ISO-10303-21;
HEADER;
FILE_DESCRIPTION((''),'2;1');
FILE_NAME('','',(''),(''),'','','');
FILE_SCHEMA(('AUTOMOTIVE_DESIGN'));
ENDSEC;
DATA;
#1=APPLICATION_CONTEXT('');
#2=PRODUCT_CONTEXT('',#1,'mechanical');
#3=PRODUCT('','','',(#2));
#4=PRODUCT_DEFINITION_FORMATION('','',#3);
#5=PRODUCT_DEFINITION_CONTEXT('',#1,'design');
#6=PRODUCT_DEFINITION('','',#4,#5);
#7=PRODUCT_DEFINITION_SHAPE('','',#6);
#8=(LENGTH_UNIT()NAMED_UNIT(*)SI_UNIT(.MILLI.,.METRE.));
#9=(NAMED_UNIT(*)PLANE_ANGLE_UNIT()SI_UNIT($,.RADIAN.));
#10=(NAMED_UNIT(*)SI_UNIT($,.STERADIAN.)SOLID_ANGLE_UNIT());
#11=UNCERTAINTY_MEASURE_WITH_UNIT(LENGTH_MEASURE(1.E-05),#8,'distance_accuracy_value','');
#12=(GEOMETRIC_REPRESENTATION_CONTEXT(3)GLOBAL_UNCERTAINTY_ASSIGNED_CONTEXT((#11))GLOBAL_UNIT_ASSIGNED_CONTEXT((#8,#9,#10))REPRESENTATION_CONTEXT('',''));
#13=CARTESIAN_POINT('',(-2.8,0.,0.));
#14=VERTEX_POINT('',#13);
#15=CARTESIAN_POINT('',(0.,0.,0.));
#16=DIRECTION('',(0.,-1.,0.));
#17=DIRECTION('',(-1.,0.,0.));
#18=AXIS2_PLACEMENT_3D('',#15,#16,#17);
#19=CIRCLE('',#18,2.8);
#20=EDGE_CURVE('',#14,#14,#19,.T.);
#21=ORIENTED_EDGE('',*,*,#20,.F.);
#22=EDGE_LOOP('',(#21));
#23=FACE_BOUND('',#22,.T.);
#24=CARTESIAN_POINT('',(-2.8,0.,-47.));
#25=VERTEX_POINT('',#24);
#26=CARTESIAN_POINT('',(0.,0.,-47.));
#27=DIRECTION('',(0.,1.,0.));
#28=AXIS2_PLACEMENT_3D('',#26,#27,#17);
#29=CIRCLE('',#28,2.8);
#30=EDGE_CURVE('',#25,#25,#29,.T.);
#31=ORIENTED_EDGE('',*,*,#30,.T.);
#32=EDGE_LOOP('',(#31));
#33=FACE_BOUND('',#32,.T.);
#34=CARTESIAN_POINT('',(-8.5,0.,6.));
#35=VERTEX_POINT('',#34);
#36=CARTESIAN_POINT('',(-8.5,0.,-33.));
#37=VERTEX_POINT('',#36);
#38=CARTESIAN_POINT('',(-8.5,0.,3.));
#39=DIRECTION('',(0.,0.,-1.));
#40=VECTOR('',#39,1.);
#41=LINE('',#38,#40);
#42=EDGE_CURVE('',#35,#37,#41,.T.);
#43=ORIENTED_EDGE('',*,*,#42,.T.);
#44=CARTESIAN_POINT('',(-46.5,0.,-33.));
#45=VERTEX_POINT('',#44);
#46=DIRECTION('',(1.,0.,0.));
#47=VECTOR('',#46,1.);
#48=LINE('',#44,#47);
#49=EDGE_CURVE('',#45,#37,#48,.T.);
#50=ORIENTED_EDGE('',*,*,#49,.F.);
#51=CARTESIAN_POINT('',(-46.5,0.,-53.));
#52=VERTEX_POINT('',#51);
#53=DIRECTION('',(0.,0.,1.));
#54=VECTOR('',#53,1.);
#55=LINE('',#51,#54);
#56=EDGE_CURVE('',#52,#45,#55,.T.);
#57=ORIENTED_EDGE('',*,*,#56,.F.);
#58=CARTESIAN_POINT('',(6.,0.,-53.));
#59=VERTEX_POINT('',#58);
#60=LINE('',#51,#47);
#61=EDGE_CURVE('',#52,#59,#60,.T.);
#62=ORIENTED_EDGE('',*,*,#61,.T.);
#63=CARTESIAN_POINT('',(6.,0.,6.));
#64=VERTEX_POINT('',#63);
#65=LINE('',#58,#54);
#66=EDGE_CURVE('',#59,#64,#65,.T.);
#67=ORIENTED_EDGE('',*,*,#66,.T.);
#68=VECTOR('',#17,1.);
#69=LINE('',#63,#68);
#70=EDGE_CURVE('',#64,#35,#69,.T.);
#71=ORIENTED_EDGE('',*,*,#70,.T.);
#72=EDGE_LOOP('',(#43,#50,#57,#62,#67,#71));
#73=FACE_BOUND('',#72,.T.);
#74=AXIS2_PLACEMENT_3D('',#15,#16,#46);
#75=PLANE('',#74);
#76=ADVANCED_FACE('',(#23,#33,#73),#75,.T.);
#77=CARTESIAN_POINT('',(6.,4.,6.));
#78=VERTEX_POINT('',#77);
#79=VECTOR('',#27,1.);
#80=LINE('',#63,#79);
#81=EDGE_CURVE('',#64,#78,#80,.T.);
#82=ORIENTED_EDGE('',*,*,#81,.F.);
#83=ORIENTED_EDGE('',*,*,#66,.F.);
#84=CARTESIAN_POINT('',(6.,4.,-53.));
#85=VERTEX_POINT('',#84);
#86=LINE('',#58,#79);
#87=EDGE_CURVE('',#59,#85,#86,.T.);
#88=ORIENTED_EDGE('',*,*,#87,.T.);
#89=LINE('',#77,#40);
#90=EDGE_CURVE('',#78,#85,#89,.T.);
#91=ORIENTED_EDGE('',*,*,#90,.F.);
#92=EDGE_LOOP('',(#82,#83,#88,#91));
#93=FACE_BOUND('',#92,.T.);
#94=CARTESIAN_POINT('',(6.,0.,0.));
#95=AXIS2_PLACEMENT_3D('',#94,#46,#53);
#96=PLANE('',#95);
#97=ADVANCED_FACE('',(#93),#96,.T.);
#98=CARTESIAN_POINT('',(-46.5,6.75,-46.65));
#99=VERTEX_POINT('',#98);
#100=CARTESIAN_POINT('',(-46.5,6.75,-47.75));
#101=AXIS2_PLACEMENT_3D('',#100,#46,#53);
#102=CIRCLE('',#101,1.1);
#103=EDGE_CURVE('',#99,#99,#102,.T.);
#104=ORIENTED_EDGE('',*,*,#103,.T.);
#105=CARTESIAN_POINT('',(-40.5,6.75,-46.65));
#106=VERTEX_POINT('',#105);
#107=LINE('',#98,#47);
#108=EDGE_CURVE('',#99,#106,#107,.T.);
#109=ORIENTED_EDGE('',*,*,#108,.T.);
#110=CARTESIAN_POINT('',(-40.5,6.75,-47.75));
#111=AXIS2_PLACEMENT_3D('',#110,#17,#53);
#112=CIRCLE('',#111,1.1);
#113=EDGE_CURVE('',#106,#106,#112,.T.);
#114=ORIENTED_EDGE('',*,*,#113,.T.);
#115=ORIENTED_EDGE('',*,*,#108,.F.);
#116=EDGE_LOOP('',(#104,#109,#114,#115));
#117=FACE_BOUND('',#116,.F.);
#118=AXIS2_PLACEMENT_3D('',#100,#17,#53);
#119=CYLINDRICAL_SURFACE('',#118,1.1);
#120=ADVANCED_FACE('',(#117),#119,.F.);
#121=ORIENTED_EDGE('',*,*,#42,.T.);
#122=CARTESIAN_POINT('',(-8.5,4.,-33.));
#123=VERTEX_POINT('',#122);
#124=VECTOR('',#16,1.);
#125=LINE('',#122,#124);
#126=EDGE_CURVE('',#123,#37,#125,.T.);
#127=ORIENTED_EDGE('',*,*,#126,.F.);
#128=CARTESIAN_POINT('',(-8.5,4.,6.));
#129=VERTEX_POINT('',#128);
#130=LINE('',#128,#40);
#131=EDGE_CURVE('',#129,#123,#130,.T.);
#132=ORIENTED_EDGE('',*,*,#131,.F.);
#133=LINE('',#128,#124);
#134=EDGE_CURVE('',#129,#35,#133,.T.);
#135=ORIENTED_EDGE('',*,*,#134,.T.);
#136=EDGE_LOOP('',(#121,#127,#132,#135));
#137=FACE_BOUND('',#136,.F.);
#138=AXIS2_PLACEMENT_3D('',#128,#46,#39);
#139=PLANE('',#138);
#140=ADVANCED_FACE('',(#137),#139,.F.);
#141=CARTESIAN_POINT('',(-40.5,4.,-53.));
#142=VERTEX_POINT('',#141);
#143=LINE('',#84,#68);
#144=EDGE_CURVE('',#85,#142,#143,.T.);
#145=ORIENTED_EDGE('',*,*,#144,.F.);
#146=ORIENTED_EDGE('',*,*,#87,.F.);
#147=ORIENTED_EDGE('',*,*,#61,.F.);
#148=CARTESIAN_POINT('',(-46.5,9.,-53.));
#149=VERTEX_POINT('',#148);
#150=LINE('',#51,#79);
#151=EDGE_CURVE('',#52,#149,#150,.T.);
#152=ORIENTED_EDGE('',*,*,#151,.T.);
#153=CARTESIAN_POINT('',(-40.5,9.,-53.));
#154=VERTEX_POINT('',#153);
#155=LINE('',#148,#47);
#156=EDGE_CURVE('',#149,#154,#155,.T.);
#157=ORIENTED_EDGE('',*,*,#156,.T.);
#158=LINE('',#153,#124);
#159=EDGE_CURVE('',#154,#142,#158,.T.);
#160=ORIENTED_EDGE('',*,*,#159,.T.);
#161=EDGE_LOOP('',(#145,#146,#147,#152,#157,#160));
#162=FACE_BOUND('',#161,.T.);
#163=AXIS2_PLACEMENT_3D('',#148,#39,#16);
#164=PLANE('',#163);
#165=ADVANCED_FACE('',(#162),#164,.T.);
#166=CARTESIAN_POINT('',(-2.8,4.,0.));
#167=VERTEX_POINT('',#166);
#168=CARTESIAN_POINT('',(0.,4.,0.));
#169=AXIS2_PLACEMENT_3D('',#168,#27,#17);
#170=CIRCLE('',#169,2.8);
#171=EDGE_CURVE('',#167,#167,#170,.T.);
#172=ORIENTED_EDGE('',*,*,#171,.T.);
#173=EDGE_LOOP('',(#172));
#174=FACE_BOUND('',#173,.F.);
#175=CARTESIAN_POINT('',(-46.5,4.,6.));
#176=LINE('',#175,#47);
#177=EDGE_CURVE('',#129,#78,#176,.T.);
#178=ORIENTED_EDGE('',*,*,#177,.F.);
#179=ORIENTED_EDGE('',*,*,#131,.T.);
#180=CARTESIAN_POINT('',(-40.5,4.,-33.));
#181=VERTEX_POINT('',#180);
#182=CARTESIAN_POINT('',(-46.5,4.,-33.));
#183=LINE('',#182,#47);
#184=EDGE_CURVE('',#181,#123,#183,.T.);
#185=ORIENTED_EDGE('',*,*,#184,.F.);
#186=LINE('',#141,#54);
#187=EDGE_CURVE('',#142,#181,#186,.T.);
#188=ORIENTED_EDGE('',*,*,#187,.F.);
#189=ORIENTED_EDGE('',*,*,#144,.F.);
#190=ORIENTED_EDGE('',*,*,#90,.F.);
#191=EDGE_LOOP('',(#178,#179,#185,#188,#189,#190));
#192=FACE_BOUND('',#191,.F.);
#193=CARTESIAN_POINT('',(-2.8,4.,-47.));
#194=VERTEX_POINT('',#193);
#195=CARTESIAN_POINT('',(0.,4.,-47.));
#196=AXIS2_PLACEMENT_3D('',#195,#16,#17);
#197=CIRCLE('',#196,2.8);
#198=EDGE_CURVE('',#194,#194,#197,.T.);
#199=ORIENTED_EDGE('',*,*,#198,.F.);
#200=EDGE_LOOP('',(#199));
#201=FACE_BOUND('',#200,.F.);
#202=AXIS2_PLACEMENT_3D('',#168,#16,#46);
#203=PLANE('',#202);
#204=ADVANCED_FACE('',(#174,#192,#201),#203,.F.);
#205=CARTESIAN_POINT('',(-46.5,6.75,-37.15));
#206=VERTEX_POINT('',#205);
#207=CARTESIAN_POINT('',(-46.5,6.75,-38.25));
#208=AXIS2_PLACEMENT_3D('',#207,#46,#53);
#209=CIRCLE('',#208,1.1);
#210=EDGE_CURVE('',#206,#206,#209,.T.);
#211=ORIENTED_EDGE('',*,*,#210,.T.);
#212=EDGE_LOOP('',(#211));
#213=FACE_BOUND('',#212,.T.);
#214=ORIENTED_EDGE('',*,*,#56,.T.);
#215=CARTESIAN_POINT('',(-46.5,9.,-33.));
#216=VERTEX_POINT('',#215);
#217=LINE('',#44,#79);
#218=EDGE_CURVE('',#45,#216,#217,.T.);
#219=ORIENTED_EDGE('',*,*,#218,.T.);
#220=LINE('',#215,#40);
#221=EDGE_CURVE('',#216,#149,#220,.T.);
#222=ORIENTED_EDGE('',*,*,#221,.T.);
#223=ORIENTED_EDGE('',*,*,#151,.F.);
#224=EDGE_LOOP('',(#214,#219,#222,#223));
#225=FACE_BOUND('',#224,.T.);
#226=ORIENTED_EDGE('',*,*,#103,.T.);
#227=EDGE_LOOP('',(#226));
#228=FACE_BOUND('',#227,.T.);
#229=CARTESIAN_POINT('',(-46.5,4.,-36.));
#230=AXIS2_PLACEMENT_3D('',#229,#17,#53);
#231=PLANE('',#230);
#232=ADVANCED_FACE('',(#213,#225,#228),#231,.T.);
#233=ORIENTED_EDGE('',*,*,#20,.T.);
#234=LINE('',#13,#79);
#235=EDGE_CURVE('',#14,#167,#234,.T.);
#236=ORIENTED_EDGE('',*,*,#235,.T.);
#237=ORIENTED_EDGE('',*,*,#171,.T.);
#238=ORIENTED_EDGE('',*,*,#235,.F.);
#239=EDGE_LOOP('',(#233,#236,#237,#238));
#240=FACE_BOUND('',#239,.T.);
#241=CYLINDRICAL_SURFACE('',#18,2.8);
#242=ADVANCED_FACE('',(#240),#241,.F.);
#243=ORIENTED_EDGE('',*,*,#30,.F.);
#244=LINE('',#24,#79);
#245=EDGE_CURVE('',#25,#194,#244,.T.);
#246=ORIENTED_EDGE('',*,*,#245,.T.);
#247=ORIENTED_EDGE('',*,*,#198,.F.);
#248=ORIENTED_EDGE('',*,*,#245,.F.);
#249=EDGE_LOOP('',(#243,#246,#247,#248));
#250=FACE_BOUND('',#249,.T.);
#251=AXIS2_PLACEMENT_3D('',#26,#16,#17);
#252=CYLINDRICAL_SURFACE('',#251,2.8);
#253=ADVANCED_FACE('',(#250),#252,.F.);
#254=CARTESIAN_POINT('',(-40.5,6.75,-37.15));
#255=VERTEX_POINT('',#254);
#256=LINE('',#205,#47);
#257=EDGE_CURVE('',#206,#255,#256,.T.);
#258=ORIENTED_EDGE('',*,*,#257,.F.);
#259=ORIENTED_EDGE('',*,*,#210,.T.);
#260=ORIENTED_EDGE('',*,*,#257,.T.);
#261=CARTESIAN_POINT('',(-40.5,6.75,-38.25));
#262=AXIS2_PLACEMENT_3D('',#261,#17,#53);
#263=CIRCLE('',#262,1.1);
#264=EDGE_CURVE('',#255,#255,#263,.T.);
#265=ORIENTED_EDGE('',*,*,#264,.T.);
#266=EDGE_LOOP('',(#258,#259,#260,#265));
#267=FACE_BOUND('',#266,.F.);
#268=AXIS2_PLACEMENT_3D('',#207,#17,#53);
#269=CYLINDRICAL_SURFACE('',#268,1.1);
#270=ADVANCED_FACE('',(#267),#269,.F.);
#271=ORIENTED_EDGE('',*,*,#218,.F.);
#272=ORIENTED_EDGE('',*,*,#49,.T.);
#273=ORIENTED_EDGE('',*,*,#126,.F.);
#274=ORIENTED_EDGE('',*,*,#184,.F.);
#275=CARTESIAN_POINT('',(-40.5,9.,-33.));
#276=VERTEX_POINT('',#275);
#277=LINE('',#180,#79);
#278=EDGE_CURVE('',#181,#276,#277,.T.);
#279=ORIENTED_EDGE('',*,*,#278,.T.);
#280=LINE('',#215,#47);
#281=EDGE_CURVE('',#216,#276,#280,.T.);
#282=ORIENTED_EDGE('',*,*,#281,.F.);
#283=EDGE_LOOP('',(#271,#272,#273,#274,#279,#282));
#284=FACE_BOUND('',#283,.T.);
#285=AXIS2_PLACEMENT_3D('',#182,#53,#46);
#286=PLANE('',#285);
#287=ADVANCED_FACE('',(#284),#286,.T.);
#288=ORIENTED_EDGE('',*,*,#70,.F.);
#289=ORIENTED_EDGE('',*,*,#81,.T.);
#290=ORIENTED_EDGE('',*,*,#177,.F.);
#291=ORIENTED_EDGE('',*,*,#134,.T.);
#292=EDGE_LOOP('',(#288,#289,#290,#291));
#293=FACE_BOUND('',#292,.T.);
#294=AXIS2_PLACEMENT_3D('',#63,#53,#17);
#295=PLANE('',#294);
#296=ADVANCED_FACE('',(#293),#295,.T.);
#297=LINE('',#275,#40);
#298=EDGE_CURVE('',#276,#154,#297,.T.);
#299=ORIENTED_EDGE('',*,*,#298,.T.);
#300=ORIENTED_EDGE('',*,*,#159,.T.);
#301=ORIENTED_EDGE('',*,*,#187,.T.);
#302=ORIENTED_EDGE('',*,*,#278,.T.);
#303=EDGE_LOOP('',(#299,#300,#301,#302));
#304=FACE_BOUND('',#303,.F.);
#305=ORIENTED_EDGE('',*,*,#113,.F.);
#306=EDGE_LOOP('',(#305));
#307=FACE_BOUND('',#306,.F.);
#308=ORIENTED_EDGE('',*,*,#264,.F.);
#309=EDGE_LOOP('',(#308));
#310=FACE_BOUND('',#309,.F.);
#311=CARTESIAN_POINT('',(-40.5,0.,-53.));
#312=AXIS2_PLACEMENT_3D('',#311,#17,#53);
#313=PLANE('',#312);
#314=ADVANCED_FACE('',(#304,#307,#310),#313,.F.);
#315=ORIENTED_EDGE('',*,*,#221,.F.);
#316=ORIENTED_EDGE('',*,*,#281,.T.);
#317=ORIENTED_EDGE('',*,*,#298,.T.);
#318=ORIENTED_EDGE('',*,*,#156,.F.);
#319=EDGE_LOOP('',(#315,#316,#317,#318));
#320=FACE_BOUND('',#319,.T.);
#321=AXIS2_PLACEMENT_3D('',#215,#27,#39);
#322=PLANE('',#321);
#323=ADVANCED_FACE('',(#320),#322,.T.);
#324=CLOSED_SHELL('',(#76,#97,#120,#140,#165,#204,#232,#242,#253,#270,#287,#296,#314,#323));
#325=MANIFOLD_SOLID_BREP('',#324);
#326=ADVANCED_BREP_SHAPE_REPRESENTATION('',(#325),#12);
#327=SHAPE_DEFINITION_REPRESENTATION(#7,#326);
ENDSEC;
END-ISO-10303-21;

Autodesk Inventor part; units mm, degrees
ref_plane "YZ Plane" through (0, 0, 0) normal (1, 0, 0) x (0, 1, 0)
ref_plane "XZ Plane" through (0, 0, 0) normal (0, 1, 0) x (-1, 0, 0)
ref_plane "XY Plane" through (0, 0, 0) normal (0, 0, 1) x (1, 0, 0)
sketch "Sketch1" plane through (0, 0, 0) normal (0, 1, 0) x (-1, 0, 0)
  line L0 (0, 0) -> (40.5, 0)
  line L1 (40.5, 0) -> (40.5, -47)
  line L2 (40.5, -47) -> (0, -47)
  line L3 (0, -47) -> (0, 0)
  circle A0 centre (0, 0) radius 2.8
  circle A1 centre (0, -47) radius 2.8
  line L4 (0, 0) -> (-6, 0)
  line L5 (-6, 0) -> (-6, 6)
  line L6 (0, -47) -> (-6, -47)
  line L7 (-6, -47) -> (-6, -53)
  line L8 (-6, -53) -> (40.5, -53)
  line L9 (40.5, -53) -> (-6, -53)
  line L10 (-6, -53) -> (-6, 6)
  line L11 (-6, 6) -> (40.5, 6)
  line L12 (40.5, 6) -> (40.5, -53)
  line L13 (40.5, 6) -> (46.5, 6)
  line L14 (46.5, 6) -> (46.5, -53)
  line L15 (46.5, -53) -> (40.5, -53)
  line L16 (40.5, -53) -> (40.5, 6)
  dimension "d0" = 40.5
  dimension "d1" = 47
  dimension "d2" = 5.6
  dimension "d3" = 5.6
  dimension "d4" = 6
  dimension "d5" = 6
  dimension "d6" = 6
  dimension "d7" = 6
  dimension "d8" = 6
extrude "Extrusion1" add sketch "Sketch1" along normal blind 4 contours A0 L4 L5 L11 L12 L0 | L0 L1 L2 A1 L3 A0 | L3 A1 L6 L10 L4 A0 | L12 L13 L14 L15 L1 | L12 L8 L7 L6 A1 L2
sketch "Sketch3" plane through (-46.5, 0, -53) normal (-1, 0, 0) x (0, 0, 1)
  line L0 (0, 0) -> (0, 4) projected
  line L1 (0, 4) -> (20, 4)
  line L2 (20, 4) -> (20, 9)
  line L3 (20, 9) -> (0, 9)
  line L4 (0, 9) -> (0, 4)
  point P0 (53, 0)
  dimension "d11" = 20
  dimension "d12" = 5
extrude "Extrusion2" add sketch "Sketch3" against normal blind 6
sketch "Sketch4" plane through (0, 4, 0) normal (0, 1, 0) x (1, 0, 0)
  line L0 (-46.5, -6) -> (6, -6) projected
  line L1 (-46.5, -6) -> (-8.5, -6)
  line L2 (-8.5, -6) -> (-8.5, 36)
  line L3 (-8.5, 36) -> (-46.5, 36)
  line L4 (-46.5, 36) -> (-46.5, -6)
  point P0 (0, 0)
  dimension "d15" = 38
  dimension "d16" = 42
extrude "Extrusion3" cut sketch "Sketch4" against normal blind 6
sketch "Sketch5" plane through (-46.5, 9, -53) normal (-1, 0, 0) x (0, 0, 1)
  line L0 (20, 0) -> (0, 0) projected
  line L1 (10, 0) -> (5.25, 0)
  line L2 (5.25, 0) -> (5.25, 2.25)
  line L3 (5.25, 0) -> (5.25, -2.25)
  line L4 (5.25, -2.25) -> (14.75, -2.25)
  circle A0 centre (5.25, -2.25) radius 1.1
  circle A1 centre (14.75, -2.25) radius 1.1
  point P0 (53, -9)
  dimension "d19" = 4.75
  dimension "d20" = 2.25
  dimension "d21" = 90
  dimension "d22" = 2.25
  dimension "d23" = 9.5
  dimension "d24" = 2.2
  dimension "d25" = 2.2
extrude "Extrusion4" cut sketch "Sketch5" against normal blind 6
sketch "Sketch6" plane through (0, 4, 0) normal (0, -1, 0) x (1, 0, 0)
  line L0 (-46.5, -36) -> (-46.5, -33) projected
  line L1 (-8.5, -36) -> (-8.5, 6) projected
  line L2 (-46.5, -33) -> (-8.5, -33)
  line L3 (-8.5, -33) -> (-8.5, -36)
  line L4 (-8.5, -36) -> (-46.5, -36)
  line L5 (-46.5, -36) -> (-46.5, -33)
  point P0 (0, 0)
extrude "Extrusion5" add sketch "Sketch6" along normal blind 4
properties part number "limit_switch_lower_mount"
